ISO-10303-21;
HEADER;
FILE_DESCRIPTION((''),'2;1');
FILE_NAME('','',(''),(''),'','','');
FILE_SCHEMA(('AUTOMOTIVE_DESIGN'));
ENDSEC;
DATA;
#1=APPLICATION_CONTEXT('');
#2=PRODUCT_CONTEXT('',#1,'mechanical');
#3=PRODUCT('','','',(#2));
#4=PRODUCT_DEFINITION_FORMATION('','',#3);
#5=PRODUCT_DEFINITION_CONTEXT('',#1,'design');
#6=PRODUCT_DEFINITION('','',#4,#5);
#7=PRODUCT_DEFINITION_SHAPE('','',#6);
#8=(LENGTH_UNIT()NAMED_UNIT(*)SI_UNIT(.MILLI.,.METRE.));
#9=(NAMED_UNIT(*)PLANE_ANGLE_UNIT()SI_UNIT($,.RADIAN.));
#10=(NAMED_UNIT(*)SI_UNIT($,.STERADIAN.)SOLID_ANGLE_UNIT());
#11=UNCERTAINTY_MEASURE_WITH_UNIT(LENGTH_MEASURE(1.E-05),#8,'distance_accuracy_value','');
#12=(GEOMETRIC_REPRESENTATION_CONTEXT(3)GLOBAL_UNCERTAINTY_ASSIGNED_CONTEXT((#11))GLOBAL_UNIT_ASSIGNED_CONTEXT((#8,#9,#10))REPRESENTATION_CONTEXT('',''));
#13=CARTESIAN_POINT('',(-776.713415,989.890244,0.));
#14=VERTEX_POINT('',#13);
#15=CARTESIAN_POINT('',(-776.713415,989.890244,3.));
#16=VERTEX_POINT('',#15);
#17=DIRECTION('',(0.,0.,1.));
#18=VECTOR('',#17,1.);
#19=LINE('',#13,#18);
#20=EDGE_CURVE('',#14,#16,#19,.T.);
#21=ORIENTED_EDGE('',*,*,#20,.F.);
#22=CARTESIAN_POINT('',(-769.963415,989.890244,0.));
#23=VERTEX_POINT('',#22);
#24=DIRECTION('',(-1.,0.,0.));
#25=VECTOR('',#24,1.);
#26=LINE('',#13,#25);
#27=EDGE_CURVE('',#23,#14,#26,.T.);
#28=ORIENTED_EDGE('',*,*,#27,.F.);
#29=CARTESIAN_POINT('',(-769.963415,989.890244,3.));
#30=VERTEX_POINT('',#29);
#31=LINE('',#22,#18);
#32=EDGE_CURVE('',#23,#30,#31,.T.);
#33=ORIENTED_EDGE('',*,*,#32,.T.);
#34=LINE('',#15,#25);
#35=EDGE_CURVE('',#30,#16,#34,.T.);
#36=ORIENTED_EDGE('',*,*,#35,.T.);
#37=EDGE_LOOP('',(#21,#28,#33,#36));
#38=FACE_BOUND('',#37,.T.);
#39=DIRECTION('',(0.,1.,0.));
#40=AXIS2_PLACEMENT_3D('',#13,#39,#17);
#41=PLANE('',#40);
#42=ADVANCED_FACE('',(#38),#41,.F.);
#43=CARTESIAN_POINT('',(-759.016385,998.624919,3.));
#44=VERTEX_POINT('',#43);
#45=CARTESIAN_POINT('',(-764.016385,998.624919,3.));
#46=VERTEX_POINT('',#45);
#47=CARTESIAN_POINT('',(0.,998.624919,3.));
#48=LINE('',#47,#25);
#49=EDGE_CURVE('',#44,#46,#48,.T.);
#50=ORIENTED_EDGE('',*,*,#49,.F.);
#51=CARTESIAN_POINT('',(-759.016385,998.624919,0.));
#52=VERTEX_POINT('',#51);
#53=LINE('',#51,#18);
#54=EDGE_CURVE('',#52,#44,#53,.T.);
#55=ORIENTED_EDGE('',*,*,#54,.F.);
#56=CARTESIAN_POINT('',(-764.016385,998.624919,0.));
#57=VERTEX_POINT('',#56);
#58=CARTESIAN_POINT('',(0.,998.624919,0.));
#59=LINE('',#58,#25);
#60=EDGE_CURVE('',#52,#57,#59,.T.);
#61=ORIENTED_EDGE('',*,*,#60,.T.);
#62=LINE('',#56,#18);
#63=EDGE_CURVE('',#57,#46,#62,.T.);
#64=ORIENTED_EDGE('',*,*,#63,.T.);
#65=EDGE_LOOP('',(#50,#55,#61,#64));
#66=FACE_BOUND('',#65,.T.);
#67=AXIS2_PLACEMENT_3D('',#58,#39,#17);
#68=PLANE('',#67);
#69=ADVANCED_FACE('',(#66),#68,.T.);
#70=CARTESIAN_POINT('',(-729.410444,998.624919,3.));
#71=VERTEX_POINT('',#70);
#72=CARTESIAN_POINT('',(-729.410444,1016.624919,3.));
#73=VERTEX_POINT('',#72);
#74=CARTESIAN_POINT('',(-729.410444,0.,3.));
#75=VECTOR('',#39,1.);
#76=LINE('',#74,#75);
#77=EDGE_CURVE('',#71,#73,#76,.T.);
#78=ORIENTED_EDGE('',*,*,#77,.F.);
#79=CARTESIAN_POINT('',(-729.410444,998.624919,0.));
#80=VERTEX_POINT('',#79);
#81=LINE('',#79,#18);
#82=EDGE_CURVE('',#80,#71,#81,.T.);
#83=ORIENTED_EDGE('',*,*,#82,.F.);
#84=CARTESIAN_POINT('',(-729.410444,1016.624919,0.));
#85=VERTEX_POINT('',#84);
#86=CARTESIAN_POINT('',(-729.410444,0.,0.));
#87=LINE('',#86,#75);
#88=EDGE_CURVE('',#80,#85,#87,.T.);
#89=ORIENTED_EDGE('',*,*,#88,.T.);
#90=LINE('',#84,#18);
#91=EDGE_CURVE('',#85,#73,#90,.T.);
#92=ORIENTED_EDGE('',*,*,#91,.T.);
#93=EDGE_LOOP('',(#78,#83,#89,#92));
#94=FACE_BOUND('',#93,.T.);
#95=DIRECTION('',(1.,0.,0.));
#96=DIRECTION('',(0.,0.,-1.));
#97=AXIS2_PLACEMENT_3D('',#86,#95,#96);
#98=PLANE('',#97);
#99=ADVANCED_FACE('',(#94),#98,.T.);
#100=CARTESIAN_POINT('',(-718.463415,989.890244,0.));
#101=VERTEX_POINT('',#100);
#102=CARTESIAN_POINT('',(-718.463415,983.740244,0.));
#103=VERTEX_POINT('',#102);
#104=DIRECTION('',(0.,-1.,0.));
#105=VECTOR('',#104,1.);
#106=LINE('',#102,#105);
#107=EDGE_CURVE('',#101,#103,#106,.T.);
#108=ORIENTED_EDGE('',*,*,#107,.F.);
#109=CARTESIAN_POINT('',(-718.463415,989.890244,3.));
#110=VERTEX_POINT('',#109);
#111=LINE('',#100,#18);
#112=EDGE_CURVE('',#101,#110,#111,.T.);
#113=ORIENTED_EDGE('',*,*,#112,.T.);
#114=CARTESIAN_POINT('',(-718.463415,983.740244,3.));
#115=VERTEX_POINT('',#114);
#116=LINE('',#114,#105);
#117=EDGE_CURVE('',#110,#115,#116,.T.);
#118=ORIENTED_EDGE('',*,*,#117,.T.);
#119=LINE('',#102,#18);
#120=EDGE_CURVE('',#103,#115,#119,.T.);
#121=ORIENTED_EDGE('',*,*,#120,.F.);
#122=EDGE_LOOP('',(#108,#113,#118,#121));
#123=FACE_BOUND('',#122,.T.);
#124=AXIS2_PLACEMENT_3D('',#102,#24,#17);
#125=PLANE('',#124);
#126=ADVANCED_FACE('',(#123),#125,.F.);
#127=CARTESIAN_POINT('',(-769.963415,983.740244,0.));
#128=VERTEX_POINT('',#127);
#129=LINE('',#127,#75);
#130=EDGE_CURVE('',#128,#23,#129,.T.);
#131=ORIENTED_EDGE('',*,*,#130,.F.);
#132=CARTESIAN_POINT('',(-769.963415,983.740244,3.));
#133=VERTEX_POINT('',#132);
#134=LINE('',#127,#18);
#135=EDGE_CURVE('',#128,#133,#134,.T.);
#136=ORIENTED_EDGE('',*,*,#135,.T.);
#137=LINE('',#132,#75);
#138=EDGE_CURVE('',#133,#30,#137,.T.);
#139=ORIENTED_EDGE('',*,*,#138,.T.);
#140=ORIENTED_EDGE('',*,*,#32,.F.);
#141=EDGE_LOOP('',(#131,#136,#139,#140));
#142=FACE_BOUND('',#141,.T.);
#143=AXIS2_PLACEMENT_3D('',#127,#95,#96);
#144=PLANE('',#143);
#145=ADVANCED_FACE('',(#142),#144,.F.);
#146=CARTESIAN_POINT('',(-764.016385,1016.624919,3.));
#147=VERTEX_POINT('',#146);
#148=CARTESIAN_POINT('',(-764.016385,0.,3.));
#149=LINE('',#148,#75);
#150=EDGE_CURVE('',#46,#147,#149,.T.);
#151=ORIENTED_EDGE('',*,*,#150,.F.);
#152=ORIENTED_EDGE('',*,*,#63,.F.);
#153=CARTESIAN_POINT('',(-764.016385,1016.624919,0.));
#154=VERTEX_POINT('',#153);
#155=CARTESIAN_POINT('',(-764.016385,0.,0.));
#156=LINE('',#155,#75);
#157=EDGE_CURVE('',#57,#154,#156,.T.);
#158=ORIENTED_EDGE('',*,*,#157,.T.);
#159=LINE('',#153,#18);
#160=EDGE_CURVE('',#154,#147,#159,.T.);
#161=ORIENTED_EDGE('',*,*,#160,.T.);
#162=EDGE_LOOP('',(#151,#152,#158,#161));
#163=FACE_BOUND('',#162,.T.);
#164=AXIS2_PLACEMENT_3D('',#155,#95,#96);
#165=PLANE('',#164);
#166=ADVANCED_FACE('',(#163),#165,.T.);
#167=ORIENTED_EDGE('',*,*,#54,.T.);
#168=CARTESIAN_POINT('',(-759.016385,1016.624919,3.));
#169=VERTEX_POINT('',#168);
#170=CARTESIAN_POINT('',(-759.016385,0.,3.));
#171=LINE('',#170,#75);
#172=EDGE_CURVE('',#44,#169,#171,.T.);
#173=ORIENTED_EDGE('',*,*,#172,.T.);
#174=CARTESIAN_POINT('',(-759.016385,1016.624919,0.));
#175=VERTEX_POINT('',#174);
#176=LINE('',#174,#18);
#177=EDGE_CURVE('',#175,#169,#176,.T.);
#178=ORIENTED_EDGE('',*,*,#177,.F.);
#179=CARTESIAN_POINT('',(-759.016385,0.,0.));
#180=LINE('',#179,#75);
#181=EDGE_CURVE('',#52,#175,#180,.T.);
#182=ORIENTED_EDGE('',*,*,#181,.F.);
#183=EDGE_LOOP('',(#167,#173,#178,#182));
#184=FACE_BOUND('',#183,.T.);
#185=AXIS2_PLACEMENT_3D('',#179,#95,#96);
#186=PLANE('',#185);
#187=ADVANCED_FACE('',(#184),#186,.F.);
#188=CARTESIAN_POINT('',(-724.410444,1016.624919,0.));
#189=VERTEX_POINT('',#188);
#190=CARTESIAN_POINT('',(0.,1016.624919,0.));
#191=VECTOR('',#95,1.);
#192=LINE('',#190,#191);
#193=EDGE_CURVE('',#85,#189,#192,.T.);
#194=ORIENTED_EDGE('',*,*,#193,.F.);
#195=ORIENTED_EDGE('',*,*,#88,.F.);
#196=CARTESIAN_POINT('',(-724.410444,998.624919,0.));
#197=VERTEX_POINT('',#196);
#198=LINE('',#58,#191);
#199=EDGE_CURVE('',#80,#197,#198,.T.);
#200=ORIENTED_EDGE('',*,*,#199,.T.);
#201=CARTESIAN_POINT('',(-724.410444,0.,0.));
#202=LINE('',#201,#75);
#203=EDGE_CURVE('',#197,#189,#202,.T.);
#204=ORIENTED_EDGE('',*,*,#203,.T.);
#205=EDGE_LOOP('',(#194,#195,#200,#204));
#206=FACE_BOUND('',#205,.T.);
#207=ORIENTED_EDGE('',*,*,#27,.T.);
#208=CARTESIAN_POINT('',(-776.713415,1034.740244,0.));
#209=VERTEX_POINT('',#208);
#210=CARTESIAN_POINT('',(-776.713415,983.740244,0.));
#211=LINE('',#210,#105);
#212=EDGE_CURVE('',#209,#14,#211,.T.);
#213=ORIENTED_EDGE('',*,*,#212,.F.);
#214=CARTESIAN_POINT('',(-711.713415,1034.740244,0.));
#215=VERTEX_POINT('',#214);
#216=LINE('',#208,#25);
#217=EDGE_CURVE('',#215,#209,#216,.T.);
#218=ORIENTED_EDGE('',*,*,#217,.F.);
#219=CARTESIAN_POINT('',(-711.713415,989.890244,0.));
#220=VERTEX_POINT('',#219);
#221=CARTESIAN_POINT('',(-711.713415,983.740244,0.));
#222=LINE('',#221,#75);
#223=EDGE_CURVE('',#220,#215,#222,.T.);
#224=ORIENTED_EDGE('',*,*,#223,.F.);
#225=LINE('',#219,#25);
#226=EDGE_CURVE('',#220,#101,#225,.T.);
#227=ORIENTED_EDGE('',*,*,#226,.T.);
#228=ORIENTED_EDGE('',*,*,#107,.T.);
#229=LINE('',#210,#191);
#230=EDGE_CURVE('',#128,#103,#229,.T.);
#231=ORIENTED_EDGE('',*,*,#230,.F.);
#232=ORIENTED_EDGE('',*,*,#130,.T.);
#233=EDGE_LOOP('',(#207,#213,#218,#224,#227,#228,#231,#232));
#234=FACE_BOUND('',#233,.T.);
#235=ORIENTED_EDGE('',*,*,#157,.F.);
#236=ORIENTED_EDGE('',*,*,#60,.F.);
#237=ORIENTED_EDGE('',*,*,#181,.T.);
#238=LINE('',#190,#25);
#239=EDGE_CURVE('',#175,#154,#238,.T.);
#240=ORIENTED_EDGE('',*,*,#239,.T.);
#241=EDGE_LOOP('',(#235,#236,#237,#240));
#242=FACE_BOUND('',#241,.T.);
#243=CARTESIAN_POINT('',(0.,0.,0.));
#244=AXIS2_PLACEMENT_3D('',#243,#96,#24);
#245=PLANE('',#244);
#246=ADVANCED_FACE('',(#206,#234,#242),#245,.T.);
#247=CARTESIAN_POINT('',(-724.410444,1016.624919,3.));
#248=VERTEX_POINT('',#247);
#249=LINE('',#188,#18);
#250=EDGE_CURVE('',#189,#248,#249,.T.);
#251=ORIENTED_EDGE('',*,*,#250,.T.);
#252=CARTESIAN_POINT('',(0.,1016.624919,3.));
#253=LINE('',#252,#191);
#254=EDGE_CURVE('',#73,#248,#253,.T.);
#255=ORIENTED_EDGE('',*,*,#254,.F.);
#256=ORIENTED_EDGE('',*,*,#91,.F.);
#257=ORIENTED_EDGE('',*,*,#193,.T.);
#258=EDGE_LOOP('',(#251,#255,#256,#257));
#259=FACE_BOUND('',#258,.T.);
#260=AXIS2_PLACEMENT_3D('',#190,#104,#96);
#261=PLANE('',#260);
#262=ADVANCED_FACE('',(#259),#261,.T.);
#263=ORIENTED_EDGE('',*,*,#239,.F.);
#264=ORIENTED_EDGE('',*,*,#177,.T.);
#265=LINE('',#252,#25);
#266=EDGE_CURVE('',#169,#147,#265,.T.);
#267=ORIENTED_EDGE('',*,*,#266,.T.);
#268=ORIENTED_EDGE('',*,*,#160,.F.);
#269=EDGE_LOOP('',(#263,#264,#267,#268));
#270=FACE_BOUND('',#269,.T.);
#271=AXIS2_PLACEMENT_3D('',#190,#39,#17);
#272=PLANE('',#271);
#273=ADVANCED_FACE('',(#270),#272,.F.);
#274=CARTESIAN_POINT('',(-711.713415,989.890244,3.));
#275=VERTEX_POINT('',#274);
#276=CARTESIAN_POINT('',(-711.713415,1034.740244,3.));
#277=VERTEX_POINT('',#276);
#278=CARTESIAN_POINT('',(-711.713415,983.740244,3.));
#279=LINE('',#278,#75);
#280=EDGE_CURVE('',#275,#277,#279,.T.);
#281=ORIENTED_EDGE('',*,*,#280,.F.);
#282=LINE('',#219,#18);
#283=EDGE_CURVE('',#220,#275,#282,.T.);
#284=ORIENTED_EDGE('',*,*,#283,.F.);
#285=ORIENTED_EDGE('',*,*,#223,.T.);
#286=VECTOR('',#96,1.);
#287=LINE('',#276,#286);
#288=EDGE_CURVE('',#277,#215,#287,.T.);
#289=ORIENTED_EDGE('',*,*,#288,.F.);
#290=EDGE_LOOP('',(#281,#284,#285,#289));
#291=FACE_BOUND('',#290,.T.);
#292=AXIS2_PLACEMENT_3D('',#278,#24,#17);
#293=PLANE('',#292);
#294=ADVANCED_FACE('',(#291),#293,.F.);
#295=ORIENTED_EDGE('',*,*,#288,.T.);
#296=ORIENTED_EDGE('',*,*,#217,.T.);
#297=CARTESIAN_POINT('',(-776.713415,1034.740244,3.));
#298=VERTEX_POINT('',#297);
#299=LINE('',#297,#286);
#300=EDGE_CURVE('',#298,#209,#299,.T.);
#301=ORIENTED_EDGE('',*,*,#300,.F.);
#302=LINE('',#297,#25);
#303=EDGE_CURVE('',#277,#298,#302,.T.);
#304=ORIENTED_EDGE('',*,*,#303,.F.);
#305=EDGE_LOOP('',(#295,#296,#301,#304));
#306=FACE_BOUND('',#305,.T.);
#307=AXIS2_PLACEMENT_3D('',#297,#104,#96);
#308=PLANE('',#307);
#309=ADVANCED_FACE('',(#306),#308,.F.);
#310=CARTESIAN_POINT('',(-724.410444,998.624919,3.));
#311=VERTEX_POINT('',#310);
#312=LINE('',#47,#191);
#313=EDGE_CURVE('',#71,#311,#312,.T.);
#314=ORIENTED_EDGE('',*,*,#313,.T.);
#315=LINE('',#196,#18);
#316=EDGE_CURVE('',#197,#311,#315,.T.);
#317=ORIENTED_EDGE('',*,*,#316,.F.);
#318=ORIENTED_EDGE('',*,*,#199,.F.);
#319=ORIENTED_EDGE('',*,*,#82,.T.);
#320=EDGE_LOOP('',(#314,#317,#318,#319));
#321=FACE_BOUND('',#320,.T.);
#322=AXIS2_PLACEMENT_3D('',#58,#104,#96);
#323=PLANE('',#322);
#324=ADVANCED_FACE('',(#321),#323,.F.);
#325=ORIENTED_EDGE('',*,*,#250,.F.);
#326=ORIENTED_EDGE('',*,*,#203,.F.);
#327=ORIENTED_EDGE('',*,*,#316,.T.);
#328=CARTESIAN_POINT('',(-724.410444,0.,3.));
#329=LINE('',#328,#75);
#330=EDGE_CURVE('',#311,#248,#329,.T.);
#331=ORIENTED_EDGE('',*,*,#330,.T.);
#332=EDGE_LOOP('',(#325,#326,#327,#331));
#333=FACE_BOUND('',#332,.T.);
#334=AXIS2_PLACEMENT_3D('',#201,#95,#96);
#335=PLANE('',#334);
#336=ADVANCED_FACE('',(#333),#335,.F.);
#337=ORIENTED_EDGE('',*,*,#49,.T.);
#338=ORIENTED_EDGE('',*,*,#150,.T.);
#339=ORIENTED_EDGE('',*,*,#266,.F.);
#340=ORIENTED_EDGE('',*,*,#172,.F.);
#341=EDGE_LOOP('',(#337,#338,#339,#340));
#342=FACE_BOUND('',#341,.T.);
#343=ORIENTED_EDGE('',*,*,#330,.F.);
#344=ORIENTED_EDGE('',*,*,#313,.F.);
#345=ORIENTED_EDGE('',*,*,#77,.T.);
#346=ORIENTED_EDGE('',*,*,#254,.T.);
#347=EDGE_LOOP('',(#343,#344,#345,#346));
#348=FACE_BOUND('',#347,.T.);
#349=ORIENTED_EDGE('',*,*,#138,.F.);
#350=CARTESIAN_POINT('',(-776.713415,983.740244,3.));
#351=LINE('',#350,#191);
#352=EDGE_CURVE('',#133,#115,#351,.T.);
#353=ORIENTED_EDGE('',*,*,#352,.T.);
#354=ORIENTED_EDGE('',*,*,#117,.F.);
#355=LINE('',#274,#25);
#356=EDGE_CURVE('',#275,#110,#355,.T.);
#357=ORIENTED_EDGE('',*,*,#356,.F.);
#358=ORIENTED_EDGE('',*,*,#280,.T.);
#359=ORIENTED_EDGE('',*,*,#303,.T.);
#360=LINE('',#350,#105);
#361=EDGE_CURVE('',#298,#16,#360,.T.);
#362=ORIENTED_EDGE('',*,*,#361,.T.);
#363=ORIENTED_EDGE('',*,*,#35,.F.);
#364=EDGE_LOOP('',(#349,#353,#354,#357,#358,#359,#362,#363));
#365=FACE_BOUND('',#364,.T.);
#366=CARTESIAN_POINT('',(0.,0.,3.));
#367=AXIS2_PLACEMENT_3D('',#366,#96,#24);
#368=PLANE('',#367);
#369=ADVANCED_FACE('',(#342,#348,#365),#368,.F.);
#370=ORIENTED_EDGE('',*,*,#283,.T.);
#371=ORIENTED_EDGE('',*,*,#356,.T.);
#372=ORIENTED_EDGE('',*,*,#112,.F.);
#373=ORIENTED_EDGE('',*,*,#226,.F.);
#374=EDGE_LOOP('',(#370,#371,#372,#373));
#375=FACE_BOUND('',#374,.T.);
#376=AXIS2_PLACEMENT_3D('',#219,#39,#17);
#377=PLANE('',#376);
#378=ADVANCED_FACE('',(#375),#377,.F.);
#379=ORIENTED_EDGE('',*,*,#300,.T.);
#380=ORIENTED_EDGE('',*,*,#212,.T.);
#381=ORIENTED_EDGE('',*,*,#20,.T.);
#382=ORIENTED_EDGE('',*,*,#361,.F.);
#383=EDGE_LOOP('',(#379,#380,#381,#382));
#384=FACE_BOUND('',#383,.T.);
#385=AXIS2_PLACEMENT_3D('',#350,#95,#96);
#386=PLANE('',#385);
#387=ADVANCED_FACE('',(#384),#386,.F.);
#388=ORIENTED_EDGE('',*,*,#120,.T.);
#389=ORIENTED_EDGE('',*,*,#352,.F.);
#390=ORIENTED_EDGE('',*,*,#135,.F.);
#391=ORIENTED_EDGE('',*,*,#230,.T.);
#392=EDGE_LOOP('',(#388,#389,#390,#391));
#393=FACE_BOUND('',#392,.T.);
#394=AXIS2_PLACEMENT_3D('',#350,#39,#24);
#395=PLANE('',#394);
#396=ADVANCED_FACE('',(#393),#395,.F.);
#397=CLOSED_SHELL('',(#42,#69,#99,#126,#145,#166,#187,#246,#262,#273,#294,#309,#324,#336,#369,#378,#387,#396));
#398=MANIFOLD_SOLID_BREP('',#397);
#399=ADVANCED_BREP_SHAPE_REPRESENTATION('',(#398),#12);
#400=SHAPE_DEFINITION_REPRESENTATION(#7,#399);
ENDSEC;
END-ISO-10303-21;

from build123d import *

# Parameters (mm, degrees)
SKETCH1_W           = 65
SKETCH1_H           = 51
BOSS_EXTRUDE1_DEPTH = 3
SKETCH3_W           = 6.75
SKETCH3_H           = 6.15
CUT_EXTRUDE1_DEPTH  = 4
SKETCH4_W           = 2.5
SKETCH4_H           = 9
CUT_EXTRUDE2_DEPTH  = 4


with BuildPart() as part:
    # Sketch1 → Boss-Extrude1 (new body)
    with BuildSketch(Plane.XY):
        with Locations((-744.213414634, 1009.240243902)):
            Rectangle(SKETCH1_W, SKETCH1_H)
    extrude(amount=BOSS_EXTRUDE1_DEPTH)

    # Sketch3 → Cut-Extrude1 (cut, through all)
    with BuildSketch(Plane.XY.offset(3)):
        with Locations((-773.338414634, 986.815243902)):
            Rectangle(SKETCH3_W, SKETCH3_H)
        with Locations((-715.088414634, 986.815243902)):
            Rectangle(SKETCH3_W, SKETCH3_H)
    extrude(amount=-CUT_EXTRUDE1_DEPTH, mode=Mode.SUBTRACT)

    # Sketch4 → Cut-Extrude2 (cut, through all)
    with BuildSketch(Plane.XY.offset(3)):
        Polygon((-761.516384975, 1007.624918562), (-761.516384975, 1016.624918562), (-764.016384975, 1016.624918562), (-764.016384975, 998.624918562), (-759.016384975, 998.624918562), (-759.016384975, 1007.624918562), align=None)
        with Locations((-760.266384975, 1012.124918562)):
            Rectangle(SKETCH4_W, SKETCH4_H)
        Polygon((-724.410444293, 1016.624918562), (-726.910444293, 1016.624918562), (-726.910444293, 1007.624918562), (-729.410444293, 1007.624918562), (-729.410444293, 998.624918562), (-724.410444293, 998.624918562), align=None)
        with Locations((-728.160444293, 1012.124918562)):
            Rectangle(SKETCH4_W, SKETCH4_H)
    extrude(amount=-CUT_EXTRUDE2_DEPTH, mode=Mode.SUBTRACT)


solid = part.part
